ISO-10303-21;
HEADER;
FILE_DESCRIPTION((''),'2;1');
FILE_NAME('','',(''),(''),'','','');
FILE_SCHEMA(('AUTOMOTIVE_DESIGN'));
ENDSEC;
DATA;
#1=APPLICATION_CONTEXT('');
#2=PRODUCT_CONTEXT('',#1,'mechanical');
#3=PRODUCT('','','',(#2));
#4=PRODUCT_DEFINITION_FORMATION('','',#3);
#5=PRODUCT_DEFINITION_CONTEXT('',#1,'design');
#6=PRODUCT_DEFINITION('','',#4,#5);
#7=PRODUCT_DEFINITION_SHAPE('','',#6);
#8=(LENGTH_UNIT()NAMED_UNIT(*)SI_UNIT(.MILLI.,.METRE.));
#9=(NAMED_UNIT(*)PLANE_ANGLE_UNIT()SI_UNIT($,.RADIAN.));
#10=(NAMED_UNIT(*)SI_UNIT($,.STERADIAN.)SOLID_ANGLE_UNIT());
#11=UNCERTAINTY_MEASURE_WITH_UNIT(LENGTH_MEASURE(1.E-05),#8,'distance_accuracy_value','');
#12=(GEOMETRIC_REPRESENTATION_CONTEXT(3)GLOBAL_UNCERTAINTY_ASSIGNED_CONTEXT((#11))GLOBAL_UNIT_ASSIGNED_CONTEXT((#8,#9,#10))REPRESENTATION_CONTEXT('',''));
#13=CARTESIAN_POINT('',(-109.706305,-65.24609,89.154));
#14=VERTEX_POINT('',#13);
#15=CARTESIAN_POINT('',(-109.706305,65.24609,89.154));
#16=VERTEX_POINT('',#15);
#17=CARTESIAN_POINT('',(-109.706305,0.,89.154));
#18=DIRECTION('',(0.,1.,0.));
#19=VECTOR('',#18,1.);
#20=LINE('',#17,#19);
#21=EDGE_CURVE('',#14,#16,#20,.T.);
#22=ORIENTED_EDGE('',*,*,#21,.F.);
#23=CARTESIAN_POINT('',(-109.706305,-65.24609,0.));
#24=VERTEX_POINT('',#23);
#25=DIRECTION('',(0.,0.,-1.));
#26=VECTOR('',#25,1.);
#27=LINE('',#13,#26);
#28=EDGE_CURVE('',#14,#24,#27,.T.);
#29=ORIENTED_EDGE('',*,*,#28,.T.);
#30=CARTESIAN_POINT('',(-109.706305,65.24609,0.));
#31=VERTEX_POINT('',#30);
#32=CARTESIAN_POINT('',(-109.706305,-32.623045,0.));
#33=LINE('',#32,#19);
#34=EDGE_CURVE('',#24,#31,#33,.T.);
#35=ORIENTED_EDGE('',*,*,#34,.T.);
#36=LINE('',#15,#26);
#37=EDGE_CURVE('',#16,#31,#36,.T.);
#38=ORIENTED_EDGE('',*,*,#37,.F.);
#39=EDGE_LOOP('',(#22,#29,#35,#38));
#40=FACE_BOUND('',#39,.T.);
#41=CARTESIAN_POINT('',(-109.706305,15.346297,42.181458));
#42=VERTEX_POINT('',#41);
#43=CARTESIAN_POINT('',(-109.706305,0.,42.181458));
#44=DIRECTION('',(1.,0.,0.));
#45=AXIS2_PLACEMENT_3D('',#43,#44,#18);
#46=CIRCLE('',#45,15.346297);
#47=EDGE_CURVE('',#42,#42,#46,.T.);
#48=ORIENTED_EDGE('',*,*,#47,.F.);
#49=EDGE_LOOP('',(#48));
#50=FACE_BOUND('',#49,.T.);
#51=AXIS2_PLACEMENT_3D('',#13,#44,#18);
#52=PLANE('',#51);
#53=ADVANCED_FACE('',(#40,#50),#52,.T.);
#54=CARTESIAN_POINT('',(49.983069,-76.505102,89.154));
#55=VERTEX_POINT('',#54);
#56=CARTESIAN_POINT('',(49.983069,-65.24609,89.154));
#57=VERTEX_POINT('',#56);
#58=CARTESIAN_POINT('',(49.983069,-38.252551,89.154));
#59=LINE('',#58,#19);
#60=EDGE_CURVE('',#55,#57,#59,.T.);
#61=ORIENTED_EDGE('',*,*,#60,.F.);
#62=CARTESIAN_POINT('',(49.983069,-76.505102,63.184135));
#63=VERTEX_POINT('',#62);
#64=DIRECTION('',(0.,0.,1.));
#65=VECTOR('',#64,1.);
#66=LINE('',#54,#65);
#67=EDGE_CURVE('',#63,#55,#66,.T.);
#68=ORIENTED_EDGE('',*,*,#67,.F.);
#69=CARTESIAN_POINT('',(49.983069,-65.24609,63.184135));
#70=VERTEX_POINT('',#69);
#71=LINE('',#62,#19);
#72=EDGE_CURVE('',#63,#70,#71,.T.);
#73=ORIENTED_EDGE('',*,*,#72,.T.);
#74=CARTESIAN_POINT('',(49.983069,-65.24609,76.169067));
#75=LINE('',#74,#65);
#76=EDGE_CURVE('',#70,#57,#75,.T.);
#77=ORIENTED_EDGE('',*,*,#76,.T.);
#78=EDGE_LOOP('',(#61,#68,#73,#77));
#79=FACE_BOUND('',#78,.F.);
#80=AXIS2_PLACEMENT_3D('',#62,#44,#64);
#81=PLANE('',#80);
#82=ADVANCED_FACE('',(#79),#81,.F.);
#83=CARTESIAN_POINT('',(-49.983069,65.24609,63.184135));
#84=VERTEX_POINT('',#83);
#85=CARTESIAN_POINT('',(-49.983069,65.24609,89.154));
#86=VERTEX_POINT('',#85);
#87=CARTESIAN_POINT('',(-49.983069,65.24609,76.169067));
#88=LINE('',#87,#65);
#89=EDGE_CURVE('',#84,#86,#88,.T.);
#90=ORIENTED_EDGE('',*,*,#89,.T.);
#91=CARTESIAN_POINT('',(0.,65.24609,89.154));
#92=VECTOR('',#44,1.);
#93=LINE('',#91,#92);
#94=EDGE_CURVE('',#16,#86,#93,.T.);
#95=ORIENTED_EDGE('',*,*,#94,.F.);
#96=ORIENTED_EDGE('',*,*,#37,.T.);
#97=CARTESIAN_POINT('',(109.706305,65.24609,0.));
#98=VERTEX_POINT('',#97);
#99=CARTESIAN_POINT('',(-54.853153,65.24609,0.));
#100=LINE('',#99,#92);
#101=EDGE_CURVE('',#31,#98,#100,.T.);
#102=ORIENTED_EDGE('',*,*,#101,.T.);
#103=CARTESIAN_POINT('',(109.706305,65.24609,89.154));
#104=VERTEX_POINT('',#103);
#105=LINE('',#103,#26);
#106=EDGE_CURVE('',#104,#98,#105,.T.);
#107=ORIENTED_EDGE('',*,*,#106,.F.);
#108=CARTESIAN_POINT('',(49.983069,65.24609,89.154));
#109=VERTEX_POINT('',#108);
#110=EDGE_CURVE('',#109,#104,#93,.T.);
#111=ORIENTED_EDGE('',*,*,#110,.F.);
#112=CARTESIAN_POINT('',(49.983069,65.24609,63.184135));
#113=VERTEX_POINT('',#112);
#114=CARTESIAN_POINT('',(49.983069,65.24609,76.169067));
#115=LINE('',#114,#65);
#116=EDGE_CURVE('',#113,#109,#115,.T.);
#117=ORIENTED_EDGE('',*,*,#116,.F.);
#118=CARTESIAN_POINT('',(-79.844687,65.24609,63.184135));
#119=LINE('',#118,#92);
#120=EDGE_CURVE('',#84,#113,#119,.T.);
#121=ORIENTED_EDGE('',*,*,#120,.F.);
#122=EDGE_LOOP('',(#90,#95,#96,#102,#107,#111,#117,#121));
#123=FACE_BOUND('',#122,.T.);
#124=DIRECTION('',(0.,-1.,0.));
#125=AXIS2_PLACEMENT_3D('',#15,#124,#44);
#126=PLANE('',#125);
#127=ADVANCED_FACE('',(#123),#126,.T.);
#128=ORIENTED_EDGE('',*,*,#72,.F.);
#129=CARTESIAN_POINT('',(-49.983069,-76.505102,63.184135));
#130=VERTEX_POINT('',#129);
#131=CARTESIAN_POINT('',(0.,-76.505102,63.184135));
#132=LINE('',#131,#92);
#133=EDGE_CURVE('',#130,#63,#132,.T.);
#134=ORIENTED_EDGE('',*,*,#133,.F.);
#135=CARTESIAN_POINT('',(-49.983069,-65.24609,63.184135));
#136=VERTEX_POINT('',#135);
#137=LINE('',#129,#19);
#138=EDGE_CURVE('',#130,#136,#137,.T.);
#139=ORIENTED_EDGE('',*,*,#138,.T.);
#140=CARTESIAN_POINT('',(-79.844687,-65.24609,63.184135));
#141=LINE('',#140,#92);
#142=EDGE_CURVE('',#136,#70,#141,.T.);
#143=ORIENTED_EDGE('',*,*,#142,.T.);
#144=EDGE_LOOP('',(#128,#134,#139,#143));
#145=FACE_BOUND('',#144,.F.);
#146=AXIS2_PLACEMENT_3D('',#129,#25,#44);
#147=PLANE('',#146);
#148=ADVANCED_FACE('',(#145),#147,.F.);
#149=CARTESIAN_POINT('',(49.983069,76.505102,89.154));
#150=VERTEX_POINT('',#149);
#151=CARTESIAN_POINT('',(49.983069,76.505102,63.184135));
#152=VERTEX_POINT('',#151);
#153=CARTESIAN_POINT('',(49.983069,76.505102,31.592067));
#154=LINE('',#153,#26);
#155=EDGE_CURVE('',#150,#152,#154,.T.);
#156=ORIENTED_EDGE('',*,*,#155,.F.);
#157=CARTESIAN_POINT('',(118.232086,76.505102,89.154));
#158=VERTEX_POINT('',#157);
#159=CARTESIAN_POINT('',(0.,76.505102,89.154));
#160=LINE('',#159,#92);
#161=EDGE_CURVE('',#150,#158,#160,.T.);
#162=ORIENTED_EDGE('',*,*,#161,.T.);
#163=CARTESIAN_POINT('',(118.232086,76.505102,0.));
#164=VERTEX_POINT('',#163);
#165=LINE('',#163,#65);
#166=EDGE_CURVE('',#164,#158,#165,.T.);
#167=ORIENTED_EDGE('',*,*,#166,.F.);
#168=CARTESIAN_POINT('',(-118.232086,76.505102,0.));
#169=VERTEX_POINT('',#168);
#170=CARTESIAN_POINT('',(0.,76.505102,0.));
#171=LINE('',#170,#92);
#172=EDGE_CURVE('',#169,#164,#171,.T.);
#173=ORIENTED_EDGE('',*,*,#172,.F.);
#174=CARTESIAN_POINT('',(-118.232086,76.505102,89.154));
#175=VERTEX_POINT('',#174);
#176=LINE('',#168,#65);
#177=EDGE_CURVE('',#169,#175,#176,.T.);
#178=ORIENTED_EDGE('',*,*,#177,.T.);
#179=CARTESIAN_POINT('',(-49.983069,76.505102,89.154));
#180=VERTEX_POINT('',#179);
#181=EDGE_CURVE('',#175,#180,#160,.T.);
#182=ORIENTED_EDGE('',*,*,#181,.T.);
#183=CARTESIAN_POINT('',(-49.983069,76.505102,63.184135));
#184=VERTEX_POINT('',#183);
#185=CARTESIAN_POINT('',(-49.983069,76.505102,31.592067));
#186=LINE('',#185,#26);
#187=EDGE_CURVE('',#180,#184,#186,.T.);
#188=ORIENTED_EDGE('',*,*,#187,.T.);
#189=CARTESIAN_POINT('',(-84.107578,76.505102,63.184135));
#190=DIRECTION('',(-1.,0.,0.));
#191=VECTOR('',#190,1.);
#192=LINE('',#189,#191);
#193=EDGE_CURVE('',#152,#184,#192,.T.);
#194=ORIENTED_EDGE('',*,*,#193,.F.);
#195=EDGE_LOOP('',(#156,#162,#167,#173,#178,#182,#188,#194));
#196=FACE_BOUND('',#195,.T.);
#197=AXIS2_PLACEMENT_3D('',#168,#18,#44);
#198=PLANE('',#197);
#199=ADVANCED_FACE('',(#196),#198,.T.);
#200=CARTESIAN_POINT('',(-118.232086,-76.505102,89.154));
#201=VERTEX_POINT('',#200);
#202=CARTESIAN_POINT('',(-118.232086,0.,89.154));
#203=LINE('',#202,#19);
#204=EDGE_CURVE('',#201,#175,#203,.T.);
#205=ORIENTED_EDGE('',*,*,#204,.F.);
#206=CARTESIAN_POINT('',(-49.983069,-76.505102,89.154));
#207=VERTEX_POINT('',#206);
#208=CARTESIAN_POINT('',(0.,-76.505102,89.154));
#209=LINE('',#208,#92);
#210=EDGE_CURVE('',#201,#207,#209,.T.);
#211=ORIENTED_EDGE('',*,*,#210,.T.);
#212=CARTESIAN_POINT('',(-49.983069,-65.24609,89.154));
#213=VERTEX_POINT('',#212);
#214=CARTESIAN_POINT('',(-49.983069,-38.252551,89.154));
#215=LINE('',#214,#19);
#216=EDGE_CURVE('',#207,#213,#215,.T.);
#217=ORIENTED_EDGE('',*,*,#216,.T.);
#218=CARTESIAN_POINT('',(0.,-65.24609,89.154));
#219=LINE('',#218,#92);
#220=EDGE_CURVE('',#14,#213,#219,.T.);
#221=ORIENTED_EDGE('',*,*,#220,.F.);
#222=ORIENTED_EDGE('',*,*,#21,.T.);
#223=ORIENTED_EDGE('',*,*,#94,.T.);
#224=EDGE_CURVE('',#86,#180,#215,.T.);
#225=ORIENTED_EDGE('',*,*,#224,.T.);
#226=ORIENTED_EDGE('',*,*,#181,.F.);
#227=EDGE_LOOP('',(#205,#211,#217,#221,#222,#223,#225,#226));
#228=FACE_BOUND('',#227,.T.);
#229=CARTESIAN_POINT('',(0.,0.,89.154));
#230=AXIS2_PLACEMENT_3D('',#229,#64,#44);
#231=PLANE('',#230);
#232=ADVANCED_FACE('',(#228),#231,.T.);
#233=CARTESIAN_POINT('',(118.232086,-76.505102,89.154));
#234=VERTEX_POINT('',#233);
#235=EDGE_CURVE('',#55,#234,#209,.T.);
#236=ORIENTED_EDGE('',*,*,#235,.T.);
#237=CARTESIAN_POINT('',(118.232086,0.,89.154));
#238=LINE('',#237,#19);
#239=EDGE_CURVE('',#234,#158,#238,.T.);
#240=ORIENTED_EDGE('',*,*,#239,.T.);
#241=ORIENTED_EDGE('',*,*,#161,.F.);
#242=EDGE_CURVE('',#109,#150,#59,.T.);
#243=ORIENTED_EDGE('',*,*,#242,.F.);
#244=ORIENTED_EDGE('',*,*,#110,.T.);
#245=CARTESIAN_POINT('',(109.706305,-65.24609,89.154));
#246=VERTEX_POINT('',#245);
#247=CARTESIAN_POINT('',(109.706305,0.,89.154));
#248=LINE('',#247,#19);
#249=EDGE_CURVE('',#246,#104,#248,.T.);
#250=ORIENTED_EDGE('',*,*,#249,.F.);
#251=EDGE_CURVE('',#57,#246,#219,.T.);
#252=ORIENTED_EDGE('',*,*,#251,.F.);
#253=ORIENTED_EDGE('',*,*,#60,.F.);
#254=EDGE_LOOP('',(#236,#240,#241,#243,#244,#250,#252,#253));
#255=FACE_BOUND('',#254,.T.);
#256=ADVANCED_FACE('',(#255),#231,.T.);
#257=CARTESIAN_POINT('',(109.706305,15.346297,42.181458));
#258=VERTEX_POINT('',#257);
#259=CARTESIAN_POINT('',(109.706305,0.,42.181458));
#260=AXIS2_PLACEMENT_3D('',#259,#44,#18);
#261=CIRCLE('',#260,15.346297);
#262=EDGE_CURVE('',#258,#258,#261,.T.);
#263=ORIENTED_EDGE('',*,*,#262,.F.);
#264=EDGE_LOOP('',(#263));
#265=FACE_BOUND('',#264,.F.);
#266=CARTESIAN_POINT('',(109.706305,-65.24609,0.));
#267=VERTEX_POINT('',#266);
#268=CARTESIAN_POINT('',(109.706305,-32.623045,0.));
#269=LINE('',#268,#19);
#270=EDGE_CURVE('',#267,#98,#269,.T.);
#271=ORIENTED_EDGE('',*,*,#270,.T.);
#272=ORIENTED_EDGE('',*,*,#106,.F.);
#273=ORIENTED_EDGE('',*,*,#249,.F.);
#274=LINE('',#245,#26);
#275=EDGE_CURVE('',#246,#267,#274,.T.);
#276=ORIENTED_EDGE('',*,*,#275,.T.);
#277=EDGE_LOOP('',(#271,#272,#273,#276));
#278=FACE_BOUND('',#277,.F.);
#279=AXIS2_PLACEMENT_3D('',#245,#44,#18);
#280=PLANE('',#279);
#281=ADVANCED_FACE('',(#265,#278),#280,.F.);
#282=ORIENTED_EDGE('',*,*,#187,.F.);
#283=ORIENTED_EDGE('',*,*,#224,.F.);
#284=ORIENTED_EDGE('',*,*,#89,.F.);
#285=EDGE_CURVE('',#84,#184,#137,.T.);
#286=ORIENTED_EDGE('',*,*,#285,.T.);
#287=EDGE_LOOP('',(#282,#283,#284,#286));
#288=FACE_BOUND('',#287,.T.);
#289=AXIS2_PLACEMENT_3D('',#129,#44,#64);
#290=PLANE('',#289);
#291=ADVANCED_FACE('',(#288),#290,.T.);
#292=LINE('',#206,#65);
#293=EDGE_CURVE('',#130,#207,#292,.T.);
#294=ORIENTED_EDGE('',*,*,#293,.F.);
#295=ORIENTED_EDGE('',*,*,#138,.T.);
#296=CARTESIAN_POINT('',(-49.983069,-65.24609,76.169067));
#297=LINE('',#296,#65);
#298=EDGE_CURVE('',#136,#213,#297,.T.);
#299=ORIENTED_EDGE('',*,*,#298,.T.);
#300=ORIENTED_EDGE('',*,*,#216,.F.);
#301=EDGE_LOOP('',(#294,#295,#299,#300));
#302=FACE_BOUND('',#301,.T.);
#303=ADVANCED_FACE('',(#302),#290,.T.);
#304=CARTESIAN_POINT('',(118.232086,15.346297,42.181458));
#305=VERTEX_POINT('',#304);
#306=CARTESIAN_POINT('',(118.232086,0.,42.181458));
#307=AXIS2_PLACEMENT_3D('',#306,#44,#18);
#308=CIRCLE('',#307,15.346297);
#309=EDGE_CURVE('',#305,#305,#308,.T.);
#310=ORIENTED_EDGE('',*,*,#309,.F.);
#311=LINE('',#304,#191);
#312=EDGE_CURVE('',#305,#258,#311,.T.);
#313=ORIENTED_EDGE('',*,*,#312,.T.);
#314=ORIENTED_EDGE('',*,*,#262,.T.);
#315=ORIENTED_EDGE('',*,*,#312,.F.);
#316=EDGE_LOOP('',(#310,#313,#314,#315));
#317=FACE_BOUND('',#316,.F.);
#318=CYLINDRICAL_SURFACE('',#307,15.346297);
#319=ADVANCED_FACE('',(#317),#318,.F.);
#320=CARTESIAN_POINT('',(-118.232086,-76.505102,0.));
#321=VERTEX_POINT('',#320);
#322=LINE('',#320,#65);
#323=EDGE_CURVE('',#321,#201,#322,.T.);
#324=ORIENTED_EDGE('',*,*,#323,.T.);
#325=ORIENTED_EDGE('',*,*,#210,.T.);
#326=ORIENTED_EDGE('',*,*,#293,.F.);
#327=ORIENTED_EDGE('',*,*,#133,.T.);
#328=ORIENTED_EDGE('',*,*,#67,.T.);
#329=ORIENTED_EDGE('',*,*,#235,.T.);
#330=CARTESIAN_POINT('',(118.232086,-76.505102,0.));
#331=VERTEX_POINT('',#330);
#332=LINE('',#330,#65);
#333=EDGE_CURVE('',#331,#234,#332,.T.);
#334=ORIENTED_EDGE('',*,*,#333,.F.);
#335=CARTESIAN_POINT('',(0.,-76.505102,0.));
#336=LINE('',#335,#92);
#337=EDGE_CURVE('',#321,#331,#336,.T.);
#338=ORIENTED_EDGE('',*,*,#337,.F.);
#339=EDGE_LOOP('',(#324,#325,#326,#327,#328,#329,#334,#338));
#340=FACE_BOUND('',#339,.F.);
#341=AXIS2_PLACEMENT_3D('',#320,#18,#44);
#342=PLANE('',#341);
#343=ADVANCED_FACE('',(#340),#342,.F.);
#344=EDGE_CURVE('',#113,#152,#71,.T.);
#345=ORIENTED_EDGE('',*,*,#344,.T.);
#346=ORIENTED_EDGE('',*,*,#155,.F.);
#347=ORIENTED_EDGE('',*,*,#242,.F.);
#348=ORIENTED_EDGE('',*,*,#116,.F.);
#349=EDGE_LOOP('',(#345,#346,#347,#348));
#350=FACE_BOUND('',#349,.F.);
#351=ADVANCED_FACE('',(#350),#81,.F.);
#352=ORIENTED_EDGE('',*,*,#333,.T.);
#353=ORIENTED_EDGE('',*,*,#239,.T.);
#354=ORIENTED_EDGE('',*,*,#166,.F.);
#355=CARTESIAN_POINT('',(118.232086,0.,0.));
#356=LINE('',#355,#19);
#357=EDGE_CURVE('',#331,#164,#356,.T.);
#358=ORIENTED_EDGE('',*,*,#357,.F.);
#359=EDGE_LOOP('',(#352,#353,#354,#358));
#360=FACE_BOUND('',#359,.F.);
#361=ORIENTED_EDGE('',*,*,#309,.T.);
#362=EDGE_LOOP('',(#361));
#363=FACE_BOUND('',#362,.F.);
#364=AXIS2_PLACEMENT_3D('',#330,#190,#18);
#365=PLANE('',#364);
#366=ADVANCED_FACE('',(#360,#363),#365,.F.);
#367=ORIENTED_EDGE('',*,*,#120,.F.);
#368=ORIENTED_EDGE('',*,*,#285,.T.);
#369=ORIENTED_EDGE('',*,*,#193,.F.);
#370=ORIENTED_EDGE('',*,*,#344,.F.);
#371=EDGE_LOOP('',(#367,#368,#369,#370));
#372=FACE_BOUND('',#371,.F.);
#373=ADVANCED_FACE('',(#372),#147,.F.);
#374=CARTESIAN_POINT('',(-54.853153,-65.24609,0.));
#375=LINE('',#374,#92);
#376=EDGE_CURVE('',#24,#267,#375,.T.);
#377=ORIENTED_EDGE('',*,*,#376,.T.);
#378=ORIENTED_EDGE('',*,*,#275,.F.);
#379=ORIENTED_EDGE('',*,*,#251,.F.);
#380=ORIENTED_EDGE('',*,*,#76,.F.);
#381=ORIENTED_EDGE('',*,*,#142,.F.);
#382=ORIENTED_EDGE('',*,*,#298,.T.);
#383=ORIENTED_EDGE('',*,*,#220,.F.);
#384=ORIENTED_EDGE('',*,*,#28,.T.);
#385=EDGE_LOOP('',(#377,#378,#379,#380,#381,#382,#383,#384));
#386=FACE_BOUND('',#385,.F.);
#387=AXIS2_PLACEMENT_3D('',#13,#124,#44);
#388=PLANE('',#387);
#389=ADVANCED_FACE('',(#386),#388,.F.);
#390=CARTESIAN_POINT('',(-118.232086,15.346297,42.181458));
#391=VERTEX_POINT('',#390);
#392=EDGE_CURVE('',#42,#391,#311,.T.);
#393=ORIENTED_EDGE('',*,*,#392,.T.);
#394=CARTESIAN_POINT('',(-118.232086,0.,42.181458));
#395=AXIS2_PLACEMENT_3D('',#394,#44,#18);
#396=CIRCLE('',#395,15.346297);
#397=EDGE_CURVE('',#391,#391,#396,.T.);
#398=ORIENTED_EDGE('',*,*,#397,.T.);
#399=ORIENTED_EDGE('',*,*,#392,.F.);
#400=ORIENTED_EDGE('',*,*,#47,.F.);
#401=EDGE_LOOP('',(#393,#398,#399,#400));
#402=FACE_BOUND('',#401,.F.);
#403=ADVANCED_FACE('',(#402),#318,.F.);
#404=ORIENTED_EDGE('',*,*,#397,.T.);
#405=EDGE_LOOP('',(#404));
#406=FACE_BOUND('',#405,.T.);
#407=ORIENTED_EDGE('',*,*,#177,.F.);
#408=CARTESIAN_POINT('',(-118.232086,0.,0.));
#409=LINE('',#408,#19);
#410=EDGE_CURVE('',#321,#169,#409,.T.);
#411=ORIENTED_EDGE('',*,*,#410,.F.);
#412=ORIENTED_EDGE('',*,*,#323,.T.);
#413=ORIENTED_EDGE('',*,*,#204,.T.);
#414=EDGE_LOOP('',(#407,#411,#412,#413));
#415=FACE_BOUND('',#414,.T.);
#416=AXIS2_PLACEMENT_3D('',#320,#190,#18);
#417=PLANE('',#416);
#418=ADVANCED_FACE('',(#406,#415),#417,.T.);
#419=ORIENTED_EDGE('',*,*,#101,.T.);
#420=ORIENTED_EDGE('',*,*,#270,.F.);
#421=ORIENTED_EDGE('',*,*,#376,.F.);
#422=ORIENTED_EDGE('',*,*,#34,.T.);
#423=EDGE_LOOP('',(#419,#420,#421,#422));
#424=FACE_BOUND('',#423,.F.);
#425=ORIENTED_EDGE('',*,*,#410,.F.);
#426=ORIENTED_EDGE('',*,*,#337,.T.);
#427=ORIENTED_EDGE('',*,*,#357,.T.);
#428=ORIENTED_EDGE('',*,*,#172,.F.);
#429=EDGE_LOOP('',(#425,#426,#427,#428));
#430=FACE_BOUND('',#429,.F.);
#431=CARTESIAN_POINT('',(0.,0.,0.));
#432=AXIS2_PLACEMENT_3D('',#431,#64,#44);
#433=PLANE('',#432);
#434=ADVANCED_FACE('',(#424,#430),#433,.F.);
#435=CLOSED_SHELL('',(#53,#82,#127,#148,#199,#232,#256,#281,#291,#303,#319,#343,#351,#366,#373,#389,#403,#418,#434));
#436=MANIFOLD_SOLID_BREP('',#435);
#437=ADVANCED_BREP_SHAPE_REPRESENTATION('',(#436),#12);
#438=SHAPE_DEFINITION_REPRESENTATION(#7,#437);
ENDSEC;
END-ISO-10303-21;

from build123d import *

# Parameters (mm, degrees)
F0_W     = 236.464172
F0_H     = 153.010204
F1_DEPTH = 89.154
F2_W     = 219.41261
F2_H     = 130.49218
F3_DEPTH = 170.434
F4_W     = 99.966138
F4_H     = 51.93973
F5_DEPTH = 169.926
F6_R     = 15.346297
F7_DEPTH = 355.854


with BuildPart() as f1:
    # F0 (on Top) → F1 (new body)
    with BuildSketch(Plane.XY):
        Rectangle(F0_W, F0_H)
    extrude(amount=F1_DEPTH)

    # F2 (on face) → F3 (cut)
    with BuildSketch(Plane.XY.offset(89.154)):
        Rectangle(F2_W, F2_H)
    extrude(amount=-F3_DEPTH, mode=Mode.SUBTRACT)

    # F4 (on face) → F5 (cut)
    with BuildSketch(Plane.XZ.offset(76.505102)):
        with Locations((0, 89.154)):
            Rectangle(F4_W, F4_H)
    extrude(amount=-F5_DEPTH, mode=Mode.SUBTRACT)

    # F6 (on face) → F7 (cut)
    with BuildSketch(Plane.YZ.offset(118.232086)):
        with Locations((0, 42.181458)):
            Circle(F6_R)
    extrude(amount=-F7_DEPTH, mode=Mode.SUBTRACT)


solid = f1.part
